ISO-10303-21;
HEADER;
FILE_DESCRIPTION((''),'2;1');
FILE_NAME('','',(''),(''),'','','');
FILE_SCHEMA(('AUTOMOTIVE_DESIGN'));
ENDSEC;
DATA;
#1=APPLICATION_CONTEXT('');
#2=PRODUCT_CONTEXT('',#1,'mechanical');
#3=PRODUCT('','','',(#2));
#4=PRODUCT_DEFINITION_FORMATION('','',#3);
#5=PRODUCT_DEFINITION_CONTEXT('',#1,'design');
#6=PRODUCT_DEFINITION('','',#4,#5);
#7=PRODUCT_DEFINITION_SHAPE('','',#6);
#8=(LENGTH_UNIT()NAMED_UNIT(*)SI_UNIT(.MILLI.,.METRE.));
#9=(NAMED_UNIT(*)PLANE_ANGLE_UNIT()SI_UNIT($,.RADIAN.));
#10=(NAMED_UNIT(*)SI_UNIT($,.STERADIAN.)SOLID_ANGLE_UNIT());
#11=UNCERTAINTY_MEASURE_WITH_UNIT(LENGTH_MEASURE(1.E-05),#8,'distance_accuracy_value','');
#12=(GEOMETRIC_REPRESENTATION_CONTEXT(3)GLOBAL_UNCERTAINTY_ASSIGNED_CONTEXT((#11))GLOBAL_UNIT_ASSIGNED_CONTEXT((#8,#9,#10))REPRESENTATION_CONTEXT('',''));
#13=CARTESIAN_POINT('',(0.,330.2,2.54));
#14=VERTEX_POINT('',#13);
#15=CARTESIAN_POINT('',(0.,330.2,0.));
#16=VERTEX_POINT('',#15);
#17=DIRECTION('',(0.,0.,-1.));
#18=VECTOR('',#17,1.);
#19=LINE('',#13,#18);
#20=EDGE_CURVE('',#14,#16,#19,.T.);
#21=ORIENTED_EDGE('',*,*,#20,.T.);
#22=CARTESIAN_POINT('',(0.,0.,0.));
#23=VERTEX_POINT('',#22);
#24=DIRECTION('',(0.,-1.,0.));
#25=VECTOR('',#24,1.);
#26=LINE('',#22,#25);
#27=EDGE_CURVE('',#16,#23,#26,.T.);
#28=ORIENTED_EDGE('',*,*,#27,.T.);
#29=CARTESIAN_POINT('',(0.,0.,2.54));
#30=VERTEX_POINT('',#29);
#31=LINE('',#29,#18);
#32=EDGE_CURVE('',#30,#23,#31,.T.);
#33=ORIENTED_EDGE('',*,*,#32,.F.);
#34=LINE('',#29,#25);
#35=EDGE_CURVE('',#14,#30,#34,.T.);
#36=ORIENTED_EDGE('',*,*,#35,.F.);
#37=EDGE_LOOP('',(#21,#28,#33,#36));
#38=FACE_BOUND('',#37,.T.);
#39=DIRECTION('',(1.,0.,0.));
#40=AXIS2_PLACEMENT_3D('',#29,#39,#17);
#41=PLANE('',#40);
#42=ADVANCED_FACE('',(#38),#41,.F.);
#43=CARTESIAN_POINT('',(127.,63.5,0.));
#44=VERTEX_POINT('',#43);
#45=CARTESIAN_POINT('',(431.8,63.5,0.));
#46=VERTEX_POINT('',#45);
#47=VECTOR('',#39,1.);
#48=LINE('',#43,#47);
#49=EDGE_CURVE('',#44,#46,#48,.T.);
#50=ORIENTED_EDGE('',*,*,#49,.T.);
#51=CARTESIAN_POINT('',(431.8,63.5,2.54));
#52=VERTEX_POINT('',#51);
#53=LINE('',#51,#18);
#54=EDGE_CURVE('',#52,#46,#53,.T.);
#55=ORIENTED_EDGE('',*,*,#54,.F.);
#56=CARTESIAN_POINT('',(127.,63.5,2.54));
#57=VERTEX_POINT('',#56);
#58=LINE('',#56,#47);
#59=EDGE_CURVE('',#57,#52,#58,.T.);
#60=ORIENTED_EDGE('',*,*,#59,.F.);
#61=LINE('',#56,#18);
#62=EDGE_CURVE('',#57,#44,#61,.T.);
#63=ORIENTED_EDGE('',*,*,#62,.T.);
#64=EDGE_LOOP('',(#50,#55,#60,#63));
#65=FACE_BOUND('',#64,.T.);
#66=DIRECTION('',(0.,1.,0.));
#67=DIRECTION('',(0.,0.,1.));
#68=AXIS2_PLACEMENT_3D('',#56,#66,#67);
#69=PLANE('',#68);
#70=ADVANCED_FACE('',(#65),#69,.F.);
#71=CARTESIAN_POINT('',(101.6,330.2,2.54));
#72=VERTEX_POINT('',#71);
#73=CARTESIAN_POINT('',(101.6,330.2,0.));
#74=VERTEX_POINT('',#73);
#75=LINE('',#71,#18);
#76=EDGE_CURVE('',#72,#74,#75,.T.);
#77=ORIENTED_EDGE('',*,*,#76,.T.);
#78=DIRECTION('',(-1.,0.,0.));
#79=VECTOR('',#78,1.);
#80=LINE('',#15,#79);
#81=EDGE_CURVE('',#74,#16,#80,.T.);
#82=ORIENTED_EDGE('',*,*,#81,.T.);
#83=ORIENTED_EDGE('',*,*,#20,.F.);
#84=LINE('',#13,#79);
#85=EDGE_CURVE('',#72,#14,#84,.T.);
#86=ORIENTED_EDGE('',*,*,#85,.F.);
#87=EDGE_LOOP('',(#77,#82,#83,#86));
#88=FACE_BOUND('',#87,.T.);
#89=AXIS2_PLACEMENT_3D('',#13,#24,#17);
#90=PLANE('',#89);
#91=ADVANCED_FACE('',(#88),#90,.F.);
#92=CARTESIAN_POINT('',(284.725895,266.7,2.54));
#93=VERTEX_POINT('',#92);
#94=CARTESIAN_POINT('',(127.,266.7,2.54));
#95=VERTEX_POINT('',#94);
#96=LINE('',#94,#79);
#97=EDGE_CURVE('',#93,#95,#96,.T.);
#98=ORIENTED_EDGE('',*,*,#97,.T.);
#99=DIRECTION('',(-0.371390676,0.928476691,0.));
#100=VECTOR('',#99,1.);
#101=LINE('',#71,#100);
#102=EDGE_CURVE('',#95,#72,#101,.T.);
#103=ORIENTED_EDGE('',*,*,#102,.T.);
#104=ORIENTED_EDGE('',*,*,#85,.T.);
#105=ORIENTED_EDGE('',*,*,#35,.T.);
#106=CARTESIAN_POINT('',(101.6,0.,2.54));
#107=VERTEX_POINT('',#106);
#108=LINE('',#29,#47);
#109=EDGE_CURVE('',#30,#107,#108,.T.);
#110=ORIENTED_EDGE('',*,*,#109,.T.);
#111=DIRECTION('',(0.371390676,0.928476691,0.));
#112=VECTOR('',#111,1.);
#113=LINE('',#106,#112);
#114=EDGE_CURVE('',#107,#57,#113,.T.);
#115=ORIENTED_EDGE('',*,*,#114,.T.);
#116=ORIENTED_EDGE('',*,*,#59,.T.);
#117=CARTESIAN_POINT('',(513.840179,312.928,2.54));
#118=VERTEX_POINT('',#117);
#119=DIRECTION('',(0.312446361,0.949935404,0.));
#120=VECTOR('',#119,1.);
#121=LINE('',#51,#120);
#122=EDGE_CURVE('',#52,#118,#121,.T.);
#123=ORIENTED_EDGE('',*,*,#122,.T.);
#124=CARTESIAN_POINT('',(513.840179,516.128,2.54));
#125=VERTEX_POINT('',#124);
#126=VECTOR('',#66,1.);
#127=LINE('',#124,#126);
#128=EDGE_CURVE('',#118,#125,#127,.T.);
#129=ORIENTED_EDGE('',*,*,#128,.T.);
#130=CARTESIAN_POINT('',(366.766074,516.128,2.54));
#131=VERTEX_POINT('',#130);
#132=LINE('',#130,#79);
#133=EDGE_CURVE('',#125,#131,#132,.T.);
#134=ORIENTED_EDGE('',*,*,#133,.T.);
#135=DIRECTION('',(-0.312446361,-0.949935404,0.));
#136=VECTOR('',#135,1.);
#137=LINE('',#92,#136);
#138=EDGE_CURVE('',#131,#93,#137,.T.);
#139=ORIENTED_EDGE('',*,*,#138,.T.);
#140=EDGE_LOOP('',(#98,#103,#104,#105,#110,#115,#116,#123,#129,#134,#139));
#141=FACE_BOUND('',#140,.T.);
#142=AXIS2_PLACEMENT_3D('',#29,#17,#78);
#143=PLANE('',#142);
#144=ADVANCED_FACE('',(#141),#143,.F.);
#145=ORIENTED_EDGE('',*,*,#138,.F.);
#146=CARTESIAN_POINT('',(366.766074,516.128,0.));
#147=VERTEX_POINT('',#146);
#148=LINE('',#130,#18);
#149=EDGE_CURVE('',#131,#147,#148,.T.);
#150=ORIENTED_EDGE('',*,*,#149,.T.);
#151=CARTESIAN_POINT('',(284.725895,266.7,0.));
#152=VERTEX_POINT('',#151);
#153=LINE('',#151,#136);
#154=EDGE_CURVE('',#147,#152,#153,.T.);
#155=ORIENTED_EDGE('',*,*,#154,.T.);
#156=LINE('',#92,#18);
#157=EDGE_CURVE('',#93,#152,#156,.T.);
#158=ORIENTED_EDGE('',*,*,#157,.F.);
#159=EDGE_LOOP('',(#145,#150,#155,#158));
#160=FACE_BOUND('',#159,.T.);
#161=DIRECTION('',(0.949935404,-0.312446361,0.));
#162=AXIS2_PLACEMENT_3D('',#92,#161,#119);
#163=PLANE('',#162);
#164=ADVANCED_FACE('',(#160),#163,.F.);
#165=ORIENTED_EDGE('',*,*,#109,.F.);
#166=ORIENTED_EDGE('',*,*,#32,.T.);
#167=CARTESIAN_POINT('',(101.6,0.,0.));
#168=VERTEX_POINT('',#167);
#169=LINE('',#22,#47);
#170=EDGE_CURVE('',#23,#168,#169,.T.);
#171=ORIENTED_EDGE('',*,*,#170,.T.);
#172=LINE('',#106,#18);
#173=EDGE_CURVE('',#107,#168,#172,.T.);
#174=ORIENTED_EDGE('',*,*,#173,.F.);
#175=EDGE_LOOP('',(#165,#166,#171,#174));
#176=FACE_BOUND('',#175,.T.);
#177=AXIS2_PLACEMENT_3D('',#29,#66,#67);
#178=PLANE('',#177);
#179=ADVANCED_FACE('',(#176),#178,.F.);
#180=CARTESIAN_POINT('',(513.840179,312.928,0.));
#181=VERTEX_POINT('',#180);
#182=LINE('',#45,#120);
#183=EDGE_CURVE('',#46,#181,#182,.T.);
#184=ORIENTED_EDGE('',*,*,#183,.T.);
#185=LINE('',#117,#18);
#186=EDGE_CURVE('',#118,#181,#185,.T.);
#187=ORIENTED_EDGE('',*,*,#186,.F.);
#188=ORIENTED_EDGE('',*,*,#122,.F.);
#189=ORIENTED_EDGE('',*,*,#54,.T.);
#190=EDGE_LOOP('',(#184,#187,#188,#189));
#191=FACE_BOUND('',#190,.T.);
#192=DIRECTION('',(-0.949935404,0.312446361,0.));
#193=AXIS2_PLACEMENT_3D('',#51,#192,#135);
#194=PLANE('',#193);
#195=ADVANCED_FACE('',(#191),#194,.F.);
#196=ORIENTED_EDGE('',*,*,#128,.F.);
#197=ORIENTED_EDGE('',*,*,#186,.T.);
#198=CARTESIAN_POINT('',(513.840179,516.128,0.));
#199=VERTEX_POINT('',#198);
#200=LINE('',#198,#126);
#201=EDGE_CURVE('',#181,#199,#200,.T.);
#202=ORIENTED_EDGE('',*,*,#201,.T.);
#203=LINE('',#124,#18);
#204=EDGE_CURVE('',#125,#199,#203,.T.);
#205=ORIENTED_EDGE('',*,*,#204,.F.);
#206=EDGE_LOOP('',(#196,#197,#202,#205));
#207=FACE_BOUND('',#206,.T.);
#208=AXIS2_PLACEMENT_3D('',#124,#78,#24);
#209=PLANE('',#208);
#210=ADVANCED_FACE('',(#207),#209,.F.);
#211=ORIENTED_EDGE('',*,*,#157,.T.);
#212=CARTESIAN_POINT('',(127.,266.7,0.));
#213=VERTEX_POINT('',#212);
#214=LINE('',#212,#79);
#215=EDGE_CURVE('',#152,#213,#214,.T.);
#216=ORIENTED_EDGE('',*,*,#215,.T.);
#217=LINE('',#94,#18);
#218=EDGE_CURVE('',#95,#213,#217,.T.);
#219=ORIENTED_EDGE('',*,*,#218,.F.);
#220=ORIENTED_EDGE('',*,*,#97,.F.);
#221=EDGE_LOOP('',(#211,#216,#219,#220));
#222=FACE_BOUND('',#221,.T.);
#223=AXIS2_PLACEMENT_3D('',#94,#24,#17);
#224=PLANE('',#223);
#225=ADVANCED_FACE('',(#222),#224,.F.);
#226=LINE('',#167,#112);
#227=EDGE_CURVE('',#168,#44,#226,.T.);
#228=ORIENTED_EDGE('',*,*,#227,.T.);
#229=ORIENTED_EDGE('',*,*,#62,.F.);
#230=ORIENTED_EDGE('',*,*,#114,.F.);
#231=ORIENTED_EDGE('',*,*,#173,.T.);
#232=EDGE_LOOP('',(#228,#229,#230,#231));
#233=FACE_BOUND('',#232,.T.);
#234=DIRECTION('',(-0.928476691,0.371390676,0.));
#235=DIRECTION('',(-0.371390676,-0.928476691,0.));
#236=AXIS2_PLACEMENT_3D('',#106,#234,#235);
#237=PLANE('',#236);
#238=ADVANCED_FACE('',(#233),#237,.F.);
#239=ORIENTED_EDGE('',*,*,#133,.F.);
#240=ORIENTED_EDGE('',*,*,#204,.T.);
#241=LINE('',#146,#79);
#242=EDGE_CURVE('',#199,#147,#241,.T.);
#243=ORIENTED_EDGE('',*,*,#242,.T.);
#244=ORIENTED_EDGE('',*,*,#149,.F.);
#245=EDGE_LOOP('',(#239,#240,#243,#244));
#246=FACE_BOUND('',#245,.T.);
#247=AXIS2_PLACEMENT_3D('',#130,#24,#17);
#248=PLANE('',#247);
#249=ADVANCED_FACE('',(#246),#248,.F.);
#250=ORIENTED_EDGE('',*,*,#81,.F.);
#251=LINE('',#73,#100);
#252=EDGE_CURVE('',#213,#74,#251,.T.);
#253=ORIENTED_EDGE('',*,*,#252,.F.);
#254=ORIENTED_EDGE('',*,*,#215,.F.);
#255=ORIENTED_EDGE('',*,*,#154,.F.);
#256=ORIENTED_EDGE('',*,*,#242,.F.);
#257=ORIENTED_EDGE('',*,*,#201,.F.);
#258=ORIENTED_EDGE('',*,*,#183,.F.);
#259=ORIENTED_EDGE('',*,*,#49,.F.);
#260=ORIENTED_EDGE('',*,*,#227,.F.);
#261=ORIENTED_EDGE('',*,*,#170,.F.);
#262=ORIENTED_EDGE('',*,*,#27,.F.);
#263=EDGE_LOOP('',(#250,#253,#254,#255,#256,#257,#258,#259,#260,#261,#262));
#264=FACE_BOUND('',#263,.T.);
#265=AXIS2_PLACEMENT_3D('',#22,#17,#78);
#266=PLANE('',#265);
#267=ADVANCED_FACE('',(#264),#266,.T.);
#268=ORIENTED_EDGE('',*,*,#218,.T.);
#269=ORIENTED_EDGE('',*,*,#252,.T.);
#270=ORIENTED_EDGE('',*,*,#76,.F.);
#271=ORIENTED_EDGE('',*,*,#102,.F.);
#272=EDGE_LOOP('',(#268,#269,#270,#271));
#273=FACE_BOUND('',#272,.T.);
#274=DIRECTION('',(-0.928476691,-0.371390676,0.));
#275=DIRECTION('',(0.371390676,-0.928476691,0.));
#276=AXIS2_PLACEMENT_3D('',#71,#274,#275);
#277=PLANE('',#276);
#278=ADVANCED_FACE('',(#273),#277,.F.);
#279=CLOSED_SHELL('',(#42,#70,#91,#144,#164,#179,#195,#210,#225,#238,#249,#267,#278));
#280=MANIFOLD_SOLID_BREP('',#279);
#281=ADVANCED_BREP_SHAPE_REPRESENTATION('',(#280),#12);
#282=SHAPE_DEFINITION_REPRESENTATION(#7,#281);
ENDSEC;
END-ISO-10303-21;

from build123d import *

# Parameters (mm, degrees)
BOSS_EXTRUDE1_DEPTH = 2.54


with BuildPart() as part:
    # Sketch1 → Boss-Extrude1 (new body)
    with BuildSketch(Plane.XY):
        Polygon((0, 0), (0, 330.2), (101.6, 330.2), (127, 266.7), (284.725894908, 266.7), (366.76607434, 516.128), (513.840179432, 516.128), (513.840179432, 312.928), (431.8, 63.5), (127, 63.5), (101.6, 0), align=None)
    extrude(amount=BOSS_EXTRUDE1_DEPTH)


solid = part.part
